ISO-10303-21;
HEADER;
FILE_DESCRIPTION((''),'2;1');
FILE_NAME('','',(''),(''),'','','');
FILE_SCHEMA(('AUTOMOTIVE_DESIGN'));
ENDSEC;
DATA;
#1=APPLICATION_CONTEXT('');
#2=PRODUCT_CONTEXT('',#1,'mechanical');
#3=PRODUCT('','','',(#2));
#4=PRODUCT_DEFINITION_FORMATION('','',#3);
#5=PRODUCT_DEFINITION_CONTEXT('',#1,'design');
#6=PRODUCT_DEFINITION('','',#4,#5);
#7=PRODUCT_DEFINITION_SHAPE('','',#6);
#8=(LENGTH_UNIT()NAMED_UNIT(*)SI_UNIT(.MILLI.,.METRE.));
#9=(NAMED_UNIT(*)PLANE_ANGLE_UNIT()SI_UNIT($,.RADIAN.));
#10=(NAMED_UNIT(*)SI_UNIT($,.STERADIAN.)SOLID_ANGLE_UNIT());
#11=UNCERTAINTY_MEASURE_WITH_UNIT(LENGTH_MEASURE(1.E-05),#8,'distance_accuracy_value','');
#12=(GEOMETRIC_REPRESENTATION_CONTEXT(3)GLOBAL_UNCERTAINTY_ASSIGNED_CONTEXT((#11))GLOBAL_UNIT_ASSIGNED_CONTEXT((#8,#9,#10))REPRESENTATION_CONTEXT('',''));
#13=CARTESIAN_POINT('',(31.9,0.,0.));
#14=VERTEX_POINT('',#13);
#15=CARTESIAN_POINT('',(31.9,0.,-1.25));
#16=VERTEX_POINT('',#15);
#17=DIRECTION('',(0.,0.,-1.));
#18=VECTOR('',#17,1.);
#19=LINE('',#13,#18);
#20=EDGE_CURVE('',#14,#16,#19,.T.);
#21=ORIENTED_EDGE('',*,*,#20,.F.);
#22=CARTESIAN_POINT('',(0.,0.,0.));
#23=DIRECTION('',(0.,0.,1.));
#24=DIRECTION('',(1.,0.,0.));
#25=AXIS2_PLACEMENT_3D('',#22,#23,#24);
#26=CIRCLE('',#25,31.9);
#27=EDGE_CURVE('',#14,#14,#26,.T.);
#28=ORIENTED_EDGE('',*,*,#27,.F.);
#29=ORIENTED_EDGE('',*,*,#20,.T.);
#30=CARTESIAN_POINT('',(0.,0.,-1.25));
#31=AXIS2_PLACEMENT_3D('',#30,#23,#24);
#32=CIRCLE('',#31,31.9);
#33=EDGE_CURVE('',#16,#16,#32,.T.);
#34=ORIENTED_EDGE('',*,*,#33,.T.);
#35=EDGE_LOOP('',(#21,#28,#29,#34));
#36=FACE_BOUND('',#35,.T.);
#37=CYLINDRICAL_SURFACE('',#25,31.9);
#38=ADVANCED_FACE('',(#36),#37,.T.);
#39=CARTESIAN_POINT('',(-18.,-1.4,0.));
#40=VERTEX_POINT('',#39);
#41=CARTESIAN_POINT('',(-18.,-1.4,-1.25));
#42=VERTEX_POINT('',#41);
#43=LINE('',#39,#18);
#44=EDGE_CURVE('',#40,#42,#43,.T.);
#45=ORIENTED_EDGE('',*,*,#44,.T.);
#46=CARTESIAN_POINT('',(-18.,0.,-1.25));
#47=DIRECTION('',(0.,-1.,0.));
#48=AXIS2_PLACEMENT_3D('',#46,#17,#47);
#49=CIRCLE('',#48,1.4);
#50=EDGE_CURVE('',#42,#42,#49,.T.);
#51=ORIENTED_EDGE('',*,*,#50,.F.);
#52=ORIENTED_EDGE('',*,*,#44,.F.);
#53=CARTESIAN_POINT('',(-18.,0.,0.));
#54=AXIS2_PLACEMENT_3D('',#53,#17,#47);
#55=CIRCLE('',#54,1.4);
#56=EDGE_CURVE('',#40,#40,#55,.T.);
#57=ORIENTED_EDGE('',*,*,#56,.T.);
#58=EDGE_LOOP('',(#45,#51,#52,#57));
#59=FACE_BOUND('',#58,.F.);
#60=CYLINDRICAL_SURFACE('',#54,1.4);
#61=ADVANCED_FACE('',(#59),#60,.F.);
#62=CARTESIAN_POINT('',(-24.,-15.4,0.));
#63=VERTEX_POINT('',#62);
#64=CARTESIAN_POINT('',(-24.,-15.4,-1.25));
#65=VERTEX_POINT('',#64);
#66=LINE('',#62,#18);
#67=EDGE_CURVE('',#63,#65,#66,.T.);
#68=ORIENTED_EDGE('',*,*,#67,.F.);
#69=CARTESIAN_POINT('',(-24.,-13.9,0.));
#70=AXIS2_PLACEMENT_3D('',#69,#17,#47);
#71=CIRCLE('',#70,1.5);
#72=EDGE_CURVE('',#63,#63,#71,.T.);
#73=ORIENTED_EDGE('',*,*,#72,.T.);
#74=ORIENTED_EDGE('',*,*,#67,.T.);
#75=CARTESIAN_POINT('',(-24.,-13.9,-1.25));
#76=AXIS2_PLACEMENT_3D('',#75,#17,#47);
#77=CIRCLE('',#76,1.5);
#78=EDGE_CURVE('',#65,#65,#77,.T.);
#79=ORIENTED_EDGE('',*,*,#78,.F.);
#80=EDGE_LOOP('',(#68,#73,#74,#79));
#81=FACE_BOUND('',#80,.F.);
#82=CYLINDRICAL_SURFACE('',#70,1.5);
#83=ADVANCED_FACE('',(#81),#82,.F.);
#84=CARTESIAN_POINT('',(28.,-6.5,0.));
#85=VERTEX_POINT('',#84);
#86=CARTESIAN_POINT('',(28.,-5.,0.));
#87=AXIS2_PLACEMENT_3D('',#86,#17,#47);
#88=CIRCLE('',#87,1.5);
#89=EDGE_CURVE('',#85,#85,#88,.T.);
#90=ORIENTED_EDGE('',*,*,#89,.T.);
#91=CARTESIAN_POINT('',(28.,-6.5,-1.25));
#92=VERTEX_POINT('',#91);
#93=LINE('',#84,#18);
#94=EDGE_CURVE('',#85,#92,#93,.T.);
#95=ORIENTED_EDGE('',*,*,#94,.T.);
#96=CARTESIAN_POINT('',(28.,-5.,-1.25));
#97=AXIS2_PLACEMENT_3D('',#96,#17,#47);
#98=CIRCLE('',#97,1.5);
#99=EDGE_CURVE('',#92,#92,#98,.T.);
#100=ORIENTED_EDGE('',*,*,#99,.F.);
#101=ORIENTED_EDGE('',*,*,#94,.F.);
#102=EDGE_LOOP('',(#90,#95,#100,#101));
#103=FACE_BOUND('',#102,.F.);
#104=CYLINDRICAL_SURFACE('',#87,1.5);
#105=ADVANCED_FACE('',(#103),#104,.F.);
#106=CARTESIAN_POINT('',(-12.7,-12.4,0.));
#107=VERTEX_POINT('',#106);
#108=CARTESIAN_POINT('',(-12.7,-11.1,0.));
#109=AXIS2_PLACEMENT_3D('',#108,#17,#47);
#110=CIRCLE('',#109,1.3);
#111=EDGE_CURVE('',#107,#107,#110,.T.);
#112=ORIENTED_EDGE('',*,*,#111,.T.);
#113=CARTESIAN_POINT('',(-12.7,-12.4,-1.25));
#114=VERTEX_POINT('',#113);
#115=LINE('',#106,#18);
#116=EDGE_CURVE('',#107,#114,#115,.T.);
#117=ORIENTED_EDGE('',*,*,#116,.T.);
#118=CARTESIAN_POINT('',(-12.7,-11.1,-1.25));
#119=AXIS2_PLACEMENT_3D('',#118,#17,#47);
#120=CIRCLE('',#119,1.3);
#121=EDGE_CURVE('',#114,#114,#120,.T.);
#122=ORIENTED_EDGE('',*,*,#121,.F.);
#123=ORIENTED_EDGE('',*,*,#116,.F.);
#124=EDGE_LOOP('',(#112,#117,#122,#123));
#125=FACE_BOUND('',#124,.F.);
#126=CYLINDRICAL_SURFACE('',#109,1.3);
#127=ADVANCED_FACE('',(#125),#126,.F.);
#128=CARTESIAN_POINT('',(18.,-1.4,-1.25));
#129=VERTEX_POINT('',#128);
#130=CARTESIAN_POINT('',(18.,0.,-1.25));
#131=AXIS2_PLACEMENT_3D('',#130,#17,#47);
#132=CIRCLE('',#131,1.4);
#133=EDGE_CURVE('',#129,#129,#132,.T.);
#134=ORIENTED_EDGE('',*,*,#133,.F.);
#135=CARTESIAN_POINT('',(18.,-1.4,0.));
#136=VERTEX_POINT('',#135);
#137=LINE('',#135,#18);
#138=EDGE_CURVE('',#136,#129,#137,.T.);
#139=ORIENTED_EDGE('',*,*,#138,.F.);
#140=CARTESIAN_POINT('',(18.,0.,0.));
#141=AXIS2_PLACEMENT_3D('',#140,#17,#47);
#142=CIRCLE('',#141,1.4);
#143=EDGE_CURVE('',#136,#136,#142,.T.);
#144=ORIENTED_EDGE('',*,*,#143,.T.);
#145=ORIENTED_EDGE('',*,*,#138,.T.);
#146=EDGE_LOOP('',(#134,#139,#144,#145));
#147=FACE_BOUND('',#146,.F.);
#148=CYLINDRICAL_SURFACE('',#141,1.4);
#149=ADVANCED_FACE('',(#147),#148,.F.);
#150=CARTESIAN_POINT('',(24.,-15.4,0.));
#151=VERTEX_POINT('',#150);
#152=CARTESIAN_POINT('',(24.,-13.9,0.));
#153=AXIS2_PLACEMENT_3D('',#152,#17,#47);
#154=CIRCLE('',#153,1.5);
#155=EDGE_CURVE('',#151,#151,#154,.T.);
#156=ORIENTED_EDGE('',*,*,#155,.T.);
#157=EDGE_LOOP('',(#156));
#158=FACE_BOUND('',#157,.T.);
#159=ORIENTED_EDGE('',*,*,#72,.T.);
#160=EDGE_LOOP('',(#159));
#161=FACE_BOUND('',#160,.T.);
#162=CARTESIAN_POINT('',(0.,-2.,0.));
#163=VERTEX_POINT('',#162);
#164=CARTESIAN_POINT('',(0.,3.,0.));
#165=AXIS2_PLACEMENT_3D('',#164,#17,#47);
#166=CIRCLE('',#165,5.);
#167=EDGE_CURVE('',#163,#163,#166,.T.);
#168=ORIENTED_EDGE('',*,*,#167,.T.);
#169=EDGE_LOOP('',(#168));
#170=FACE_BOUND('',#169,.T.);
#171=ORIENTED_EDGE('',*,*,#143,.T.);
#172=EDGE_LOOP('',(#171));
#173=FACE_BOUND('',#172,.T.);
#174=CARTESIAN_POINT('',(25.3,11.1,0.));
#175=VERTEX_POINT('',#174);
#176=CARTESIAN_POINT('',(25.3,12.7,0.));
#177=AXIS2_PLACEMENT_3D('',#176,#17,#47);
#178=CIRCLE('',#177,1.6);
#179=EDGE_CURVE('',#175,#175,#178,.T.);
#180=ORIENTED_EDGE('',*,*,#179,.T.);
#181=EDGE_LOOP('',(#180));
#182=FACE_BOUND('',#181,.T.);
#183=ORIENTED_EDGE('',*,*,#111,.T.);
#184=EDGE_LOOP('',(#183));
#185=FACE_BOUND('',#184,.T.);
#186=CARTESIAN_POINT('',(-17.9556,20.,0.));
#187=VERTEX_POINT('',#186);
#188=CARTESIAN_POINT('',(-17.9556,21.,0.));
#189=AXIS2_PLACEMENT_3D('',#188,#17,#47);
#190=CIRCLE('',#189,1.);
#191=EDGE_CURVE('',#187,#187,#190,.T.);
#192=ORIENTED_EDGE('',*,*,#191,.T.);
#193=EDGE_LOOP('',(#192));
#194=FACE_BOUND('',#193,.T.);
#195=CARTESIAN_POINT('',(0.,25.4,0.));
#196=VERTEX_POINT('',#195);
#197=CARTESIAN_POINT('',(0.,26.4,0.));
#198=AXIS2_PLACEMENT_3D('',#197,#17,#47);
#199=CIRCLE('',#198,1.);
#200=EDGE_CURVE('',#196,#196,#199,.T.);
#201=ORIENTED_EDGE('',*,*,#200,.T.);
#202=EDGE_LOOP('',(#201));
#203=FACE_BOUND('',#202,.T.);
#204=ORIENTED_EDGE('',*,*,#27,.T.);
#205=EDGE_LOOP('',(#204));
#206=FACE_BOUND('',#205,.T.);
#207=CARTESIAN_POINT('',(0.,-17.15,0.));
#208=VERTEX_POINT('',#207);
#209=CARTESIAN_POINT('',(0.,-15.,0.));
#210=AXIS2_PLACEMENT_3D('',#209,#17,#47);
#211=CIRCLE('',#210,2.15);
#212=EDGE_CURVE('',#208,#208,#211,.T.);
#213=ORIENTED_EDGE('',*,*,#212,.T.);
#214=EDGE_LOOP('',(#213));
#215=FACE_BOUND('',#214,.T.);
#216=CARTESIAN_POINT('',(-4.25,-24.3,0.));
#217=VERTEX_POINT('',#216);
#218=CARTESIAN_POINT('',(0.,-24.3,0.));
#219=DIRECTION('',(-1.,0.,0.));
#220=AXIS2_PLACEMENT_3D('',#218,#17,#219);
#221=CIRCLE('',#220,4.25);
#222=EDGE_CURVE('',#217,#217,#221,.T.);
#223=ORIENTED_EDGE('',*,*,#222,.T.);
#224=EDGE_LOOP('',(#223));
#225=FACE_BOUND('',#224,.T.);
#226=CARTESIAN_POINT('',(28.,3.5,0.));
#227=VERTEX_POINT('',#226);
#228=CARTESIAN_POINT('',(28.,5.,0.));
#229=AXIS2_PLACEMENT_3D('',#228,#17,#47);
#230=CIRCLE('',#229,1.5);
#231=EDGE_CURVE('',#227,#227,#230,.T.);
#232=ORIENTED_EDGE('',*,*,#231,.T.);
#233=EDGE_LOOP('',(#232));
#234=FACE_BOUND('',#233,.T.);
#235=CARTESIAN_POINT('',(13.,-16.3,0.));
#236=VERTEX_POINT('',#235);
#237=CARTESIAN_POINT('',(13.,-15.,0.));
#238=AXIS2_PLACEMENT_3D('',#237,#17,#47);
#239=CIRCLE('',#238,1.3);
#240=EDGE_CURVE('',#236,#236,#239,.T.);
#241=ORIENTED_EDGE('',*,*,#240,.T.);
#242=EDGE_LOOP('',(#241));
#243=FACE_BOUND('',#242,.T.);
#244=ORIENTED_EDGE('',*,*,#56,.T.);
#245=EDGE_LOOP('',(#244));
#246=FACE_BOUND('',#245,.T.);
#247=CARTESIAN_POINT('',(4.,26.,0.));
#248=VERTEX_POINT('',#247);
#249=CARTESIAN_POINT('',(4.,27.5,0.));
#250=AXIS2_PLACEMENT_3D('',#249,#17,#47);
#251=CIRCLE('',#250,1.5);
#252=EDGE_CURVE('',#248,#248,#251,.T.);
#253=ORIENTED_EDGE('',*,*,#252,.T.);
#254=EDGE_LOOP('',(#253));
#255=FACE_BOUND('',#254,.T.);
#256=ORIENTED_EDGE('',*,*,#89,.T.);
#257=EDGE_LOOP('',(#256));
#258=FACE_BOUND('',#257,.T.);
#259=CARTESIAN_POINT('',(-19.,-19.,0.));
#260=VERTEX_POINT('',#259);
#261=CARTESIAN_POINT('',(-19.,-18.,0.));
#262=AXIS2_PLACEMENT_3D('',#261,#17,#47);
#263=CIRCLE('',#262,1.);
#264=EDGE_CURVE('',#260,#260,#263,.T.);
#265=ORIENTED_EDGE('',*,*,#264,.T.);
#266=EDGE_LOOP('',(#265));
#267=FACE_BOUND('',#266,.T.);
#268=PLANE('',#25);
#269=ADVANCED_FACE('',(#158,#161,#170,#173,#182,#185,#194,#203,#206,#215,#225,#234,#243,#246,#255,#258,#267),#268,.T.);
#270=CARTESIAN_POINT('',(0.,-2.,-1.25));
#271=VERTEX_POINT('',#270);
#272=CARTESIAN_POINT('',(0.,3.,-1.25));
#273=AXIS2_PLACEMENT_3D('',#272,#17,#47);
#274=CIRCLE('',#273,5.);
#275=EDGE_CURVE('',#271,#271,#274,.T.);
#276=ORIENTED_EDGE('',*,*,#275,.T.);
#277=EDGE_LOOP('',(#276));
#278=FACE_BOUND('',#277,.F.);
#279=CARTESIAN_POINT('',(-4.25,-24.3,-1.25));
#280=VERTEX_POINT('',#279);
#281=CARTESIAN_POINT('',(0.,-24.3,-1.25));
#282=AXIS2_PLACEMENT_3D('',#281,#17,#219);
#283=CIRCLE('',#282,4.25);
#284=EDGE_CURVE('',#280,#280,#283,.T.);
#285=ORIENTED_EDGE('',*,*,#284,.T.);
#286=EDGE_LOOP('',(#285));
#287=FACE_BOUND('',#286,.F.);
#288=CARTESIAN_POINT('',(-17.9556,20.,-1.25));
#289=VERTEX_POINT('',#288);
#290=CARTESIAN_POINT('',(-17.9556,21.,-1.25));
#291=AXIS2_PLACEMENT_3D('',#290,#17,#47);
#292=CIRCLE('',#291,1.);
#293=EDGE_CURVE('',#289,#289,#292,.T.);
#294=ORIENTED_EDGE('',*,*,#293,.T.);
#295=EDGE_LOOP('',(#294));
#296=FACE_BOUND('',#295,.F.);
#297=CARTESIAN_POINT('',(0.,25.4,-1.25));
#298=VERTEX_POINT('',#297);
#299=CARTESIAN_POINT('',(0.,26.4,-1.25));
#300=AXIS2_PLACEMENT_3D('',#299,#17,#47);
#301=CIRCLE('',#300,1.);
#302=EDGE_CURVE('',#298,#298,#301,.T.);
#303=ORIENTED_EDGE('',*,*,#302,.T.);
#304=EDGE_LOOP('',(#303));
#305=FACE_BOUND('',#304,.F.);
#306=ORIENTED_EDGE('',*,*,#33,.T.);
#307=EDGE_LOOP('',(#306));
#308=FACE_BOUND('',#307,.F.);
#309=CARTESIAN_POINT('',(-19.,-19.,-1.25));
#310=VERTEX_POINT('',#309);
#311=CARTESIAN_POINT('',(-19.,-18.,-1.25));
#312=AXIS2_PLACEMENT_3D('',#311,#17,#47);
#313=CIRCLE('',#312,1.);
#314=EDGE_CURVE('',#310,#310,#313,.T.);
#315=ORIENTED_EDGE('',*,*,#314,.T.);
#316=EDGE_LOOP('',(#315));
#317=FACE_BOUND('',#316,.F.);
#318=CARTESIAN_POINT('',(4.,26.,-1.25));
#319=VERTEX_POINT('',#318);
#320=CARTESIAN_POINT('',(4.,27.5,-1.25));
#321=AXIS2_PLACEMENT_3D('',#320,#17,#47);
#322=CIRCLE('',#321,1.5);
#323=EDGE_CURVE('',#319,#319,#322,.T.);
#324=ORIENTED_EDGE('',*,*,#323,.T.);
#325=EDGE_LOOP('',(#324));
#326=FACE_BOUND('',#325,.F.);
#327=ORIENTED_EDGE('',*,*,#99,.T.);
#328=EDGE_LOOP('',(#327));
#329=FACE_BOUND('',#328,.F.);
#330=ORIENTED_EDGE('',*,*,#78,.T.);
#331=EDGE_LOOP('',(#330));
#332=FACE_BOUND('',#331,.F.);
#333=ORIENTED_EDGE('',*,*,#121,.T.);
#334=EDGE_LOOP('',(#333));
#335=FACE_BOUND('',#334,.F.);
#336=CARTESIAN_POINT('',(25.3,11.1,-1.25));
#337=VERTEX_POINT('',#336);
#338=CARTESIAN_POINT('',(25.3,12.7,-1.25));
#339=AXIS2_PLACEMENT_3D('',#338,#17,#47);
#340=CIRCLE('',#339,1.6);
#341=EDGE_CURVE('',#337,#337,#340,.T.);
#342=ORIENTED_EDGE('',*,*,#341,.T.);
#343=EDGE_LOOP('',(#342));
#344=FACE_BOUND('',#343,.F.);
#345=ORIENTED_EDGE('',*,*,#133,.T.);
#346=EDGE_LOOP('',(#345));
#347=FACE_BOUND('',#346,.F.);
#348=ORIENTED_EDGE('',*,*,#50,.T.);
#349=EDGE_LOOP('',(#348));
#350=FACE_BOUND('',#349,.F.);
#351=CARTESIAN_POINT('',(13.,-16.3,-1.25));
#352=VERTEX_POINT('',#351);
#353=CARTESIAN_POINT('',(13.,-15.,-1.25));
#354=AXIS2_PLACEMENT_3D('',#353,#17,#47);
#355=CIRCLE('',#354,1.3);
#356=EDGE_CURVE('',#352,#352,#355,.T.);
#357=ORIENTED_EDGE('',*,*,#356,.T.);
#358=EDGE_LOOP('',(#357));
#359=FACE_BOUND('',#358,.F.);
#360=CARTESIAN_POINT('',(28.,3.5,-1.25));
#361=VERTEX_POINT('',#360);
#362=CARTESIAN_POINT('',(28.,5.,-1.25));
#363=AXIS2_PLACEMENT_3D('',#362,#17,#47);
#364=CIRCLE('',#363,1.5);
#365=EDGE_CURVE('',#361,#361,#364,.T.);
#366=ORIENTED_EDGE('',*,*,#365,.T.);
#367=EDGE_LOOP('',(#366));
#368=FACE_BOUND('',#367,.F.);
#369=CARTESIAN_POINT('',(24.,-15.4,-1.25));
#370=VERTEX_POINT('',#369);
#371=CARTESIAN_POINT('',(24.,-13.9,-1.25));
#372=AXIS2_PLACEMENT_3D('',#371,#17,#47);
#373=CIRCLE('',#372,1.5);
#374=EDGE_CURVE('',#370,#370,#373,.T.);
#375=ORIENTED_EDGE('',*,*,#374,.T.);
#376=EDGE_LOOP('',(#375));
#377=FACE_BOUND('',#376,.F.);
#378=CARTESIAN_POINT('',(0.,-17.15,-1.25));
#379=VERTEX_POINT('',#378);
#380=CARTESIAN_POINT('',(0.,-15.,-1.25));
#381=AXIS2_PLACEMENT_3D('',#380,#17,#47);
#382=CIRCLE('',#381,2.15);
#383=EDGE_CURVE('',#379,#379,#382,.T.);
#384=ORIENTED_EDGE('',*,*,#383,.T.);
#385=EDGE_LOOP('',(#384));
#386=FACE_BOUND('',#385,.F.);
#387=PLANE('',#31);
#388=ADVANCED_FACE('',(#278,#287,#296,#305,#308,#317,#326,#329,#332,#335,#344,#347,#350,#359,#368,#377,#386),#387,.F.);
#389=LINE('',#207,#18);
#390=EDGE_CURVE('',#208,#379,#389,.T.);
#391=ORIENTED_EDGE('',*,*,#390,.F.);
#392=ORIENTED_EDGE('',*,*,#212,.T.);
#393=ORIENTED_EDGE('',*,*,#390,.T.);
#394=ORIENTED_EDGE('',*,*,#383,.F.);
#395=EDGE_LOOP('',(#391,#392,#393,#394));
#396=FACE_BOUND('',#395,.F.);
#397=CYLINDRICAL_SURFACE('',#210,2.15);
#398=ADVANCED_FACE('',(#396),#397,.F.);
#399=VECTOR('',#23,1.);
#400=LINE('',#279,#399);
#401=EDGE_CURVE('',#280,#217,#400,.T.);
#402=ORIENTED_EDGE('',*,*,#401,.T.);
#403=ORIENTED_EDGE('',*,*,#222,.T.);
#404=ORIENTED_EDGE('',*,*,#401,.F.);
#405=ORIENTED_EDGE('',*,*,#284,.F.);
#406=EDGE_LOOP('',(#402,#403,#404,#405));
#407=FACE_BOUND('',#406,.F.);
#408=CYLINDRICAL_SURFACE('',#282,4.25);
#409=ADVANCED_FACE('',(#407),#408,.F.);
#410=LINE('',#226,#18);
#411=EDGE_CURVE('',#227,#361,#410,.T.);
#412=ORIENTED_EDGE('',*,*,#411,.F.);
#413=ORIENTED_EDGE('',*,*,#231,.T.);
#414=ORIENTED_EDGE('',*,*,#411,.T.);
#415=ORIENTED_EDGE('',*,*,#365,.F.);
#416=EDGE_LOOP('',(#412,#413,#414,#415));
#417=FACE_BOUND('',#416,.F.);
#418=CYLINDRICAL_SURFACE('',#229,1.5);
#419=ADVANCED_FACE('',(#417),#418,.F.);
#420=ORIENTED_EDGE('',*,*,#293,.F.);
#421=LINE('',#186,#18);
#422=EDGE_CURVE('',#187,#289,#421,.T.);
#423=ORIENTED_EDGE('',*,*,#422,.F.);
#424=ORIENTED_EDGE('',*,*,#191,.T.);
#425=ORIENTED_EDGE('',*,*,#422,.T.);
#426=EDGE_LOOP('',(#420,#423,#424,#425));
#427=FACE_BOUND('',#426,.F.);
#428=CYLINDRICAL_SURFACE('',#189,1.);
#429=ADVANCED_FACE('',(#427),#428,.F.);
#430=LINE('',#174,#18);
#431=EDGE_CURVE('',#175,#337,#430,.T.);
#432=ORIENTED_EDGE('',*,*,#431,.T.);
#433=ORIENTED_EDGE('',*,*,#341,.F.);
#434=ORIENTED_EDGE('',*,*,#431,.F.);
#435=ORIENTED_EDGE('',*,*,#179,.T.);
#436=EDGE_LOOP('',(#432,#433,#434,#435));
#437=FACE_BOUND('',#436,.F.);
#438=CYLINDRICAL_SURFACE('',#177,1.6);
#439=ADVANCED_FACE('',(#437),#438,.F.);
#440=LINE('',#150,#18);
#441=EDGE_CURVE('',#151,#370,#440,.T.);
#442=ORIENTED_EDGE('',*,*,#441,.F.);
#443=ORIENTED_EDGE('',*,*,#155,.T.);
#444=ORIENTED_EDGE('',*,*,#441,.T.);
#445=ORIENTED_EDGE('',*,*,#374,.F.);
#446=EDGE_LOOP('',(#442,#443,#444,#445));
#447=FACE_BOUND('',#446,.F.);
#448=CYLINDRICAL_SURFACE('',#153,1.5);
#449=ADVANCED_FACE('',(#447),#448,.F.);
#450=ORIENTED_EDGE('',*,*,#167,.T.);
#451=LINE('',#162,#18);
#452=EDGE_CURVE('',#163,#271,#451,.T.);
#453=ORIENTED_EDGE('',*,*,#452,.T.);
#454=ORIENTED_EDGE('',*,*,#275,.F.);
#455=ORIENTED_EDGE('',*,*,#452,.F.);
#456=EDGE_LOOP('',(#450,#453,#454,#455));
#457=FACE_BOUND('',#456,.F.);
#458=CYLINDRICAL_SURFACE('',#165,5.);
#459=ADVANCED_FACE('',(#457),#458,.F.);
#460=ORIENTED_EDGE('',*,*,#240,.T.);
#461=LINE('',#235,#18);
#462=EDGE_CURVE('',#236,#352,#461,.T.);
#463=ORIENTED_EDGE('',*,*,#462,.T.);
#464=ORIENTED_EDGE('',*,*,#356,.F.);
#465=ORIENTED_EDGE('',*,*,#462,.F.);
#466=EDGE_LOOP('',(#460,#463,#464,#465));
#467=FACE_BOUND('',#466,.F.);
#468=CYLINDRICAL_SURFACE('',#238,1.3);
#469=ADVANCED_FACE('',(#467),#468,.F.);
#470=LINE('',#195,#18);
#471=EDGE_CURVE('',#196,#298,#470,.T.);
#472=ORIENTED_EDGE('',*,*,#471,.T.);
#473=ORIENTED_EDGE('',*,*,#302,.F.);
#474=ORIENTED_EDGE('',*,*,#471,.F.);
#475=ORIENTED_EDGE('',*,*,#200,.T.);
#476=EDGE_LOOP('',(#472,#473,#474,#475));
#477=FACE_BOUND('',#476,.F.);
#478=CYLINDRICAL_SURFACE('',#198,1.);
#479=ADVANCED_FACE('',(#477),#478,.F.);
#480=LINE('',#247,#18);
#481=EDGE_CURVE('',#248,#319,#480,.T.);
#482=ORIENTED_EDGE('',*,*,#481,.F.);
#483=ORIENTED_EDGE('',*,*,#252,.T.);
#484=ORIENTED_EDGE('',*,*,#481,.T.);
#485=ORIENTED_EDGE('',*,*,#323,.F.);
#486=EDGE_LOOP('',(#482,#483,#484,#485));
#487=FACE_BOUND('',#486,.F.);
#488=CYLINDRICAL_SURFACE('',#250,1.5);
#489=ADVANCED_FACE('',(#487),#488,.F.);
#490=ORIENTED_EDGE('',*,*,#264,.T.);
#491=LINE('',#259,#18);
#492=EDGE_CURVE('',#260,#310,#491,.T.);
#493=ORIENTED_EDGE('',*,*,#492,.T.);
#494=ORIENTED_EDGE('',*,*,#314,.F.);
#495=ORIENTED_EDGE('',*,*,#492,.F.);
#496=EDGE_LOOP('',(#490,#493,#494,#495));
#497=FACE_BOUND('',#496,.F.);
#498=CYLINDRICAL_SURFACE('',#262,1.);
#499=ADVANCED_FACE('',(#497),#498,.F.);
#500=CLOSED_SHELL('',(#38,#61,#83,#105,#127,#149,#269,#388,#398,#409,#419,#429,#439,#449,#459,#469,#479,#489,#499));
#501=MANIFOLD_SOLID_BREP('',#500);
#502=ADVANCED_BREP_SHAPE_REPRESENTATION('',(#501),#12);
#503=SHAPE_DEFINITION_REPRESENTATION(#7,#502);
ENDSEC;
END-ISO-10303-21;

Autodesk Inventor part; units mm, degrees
ref_plane "YZ Plane" through (0, 0, 0) normal (1, 0, 0) x (0, 1, 0)
ref_plane "XZ Plane" through (0, 0, 0) normal (0, 1, 0) x (-1, 0, 0)
ref_plane "XY Plane" through (0, 0, 0) normal (0, 0, 1) x (1, 0, 0)
sketch "Sketch1" plane through (0, 0, 0) normal (0, 0, 1) x (1, 0, 0)
  circle A0 centre (0, 0) radius 31.9
  dimension "d0" = 63.8
extrude "Extrusion1" add sketch "Sketch1" against normal blind 1.25
sketch "Sketch2" plane through (0, 0, 0) normal (0, 0, 1) x (1, 0, 0)
  point P0 (0, 0)
  point P1 (-19, -18)
  dimension "d3" = 19
  dimension "d4" = 18
hole "Hole1" at (-19, -18, 0) direction (0, 0, -1) diameter 2 end through all
sketch "Sketch3" plane through (0, 0, 0) normal (0, 0, 1) x (1, 0, 0)
  point P0 (0, 0)
  point P1 (-17.9556, 21)
  point P2 (0, 26.4)
  dimension "d12" = 26.4
  dimension "d101" = 18.75
  dimension "d102" = 21
hole "Hole2" at (-17.9556, 21, 0) at (0, 26.4, 0) direction (0, 0, -1) diameter 2 end through all
sketch "Sketch4" plane through (0, 0, 0) normal (0, 0, 1) x (1, 0, 0)
  point P0 (0, 0)
  point P1 (-12.7, -11.1)
  point P2 (13, -15)
  dimension "d22" = 15
  dimension "d23" = 11.1
  dimension "d24" = 12.7
  dimension "d25" = 13
hole "Hole3" at (-12.7, -11.1, 0) at (13, -15, 0) direction (0, 0, -1) diameter 2.6 end through all
sketch "Sketch5" plane through (0, 0, 0) normal (0, 0, 1) x (1, 0, 0)
  line L0 (-18, 0) -> (18, 0) construction
  point P0 (0, 0)
  point P1 (0, 0)
  dimension "d33" = 36
hole "Hole4" at (18, 0, 0) at (-18, 0, 0) direction (0, 0, -1) diameter 2.8 end through all
sketch "Sketch6" plane through (0, 0, 0) normal (0, 0, 1) x (1, 0, 0)
  point P0 (0, 0)
  point P1 (24, -13.9)
  point P2 (-24, -13.9)
  point P3 (4, 27.5)
  dimension "d41" = 24
  dimension "d42" = 13.9
  dimension "d59" = 4
  dimension "d61" = 24
  dimension "d62" = 13.9
  dimension "d63" = 27.5
hole "Hole5" at (24, -13.9, 0) at (4, 27.5, 0) at (-24, -13.9, 0) direction (0, 0, -1) diameter 3 end through all
sketch "Sketch7" plane through (0, 0, 0) normal (0, 0, 1) x (1, 0, 0)
  point P0 (0, 0)
  point P1 (25.3, 12.7)
  dimension "d50" = 12.7
  dimension "d51" = 25.3
hole "Hole6" at (25.3, 12.7, 0) direction (0, 0, -1) diameter 3.2 end through all
sketch "Sketch8" plane through (0, 0, 0) normal (0, 0, 1) x (1, 0, 0)
  point P0 (0, 0)
  point P1 (0, -15)
  dimension "d64" = 15
hole "Hole7" at (0, -15, 0) direction (0, 0, -1) diameter 4.3 end through all
sketch "Sketch10" plane through (0, 0, 0) normal (0, 0, 1) x (1, 0, 0)
  point P0 (0, 0)
  point P1 (0, 3)
  dimension "d81" = 3
hole "Hole9" at (0, 3, 0) direction (0, 0, -1) diameter 10 end through all
sketch "Sketch11" plane through (0, 0, 0) normal (0, 0, 1) x (1, 0, 0)
  point P0 (0, 0)
  point P1 (0, 0)
  point P2 (28, -5)
  point P3 (28, 5)
  dimension "d91" = 28
  dimension "d92" = 5
  dimension "d93" = 5
hole "Hole10" at (28, -5, 0) at (28, 5, 0) direction (0, 0, -1) diameter 3 end through all
sketch "Sketch12" plane through (0, 0, -1.25) normal (0, 0, -1) x (-1, 0, 0)
  circle A0 centre (0, 0) radius 31.875
  line L0 (0, 0) -> (0, -24.3) construction
  circle A1 centre (0, -24.3) radius 4.25
  point P0 (-3.6509, -26.4756)
  point P1 (3.6509, -26.4756)
  point P2 (-3.6509, -22.1244)
  point P3 (3.6509, -22.1244)
  dimension "d103" = 24.3
  dimension "d104" = 8.5
  dimension "d105" = 63.75
extrude "Extrusion2" cut sketch "Sketch12" against normal through all contours A1
equation "\"d62\" = d42"
equation "\"d93\" = d92"
properties part number "403-01" material "Aluminum-6061"
